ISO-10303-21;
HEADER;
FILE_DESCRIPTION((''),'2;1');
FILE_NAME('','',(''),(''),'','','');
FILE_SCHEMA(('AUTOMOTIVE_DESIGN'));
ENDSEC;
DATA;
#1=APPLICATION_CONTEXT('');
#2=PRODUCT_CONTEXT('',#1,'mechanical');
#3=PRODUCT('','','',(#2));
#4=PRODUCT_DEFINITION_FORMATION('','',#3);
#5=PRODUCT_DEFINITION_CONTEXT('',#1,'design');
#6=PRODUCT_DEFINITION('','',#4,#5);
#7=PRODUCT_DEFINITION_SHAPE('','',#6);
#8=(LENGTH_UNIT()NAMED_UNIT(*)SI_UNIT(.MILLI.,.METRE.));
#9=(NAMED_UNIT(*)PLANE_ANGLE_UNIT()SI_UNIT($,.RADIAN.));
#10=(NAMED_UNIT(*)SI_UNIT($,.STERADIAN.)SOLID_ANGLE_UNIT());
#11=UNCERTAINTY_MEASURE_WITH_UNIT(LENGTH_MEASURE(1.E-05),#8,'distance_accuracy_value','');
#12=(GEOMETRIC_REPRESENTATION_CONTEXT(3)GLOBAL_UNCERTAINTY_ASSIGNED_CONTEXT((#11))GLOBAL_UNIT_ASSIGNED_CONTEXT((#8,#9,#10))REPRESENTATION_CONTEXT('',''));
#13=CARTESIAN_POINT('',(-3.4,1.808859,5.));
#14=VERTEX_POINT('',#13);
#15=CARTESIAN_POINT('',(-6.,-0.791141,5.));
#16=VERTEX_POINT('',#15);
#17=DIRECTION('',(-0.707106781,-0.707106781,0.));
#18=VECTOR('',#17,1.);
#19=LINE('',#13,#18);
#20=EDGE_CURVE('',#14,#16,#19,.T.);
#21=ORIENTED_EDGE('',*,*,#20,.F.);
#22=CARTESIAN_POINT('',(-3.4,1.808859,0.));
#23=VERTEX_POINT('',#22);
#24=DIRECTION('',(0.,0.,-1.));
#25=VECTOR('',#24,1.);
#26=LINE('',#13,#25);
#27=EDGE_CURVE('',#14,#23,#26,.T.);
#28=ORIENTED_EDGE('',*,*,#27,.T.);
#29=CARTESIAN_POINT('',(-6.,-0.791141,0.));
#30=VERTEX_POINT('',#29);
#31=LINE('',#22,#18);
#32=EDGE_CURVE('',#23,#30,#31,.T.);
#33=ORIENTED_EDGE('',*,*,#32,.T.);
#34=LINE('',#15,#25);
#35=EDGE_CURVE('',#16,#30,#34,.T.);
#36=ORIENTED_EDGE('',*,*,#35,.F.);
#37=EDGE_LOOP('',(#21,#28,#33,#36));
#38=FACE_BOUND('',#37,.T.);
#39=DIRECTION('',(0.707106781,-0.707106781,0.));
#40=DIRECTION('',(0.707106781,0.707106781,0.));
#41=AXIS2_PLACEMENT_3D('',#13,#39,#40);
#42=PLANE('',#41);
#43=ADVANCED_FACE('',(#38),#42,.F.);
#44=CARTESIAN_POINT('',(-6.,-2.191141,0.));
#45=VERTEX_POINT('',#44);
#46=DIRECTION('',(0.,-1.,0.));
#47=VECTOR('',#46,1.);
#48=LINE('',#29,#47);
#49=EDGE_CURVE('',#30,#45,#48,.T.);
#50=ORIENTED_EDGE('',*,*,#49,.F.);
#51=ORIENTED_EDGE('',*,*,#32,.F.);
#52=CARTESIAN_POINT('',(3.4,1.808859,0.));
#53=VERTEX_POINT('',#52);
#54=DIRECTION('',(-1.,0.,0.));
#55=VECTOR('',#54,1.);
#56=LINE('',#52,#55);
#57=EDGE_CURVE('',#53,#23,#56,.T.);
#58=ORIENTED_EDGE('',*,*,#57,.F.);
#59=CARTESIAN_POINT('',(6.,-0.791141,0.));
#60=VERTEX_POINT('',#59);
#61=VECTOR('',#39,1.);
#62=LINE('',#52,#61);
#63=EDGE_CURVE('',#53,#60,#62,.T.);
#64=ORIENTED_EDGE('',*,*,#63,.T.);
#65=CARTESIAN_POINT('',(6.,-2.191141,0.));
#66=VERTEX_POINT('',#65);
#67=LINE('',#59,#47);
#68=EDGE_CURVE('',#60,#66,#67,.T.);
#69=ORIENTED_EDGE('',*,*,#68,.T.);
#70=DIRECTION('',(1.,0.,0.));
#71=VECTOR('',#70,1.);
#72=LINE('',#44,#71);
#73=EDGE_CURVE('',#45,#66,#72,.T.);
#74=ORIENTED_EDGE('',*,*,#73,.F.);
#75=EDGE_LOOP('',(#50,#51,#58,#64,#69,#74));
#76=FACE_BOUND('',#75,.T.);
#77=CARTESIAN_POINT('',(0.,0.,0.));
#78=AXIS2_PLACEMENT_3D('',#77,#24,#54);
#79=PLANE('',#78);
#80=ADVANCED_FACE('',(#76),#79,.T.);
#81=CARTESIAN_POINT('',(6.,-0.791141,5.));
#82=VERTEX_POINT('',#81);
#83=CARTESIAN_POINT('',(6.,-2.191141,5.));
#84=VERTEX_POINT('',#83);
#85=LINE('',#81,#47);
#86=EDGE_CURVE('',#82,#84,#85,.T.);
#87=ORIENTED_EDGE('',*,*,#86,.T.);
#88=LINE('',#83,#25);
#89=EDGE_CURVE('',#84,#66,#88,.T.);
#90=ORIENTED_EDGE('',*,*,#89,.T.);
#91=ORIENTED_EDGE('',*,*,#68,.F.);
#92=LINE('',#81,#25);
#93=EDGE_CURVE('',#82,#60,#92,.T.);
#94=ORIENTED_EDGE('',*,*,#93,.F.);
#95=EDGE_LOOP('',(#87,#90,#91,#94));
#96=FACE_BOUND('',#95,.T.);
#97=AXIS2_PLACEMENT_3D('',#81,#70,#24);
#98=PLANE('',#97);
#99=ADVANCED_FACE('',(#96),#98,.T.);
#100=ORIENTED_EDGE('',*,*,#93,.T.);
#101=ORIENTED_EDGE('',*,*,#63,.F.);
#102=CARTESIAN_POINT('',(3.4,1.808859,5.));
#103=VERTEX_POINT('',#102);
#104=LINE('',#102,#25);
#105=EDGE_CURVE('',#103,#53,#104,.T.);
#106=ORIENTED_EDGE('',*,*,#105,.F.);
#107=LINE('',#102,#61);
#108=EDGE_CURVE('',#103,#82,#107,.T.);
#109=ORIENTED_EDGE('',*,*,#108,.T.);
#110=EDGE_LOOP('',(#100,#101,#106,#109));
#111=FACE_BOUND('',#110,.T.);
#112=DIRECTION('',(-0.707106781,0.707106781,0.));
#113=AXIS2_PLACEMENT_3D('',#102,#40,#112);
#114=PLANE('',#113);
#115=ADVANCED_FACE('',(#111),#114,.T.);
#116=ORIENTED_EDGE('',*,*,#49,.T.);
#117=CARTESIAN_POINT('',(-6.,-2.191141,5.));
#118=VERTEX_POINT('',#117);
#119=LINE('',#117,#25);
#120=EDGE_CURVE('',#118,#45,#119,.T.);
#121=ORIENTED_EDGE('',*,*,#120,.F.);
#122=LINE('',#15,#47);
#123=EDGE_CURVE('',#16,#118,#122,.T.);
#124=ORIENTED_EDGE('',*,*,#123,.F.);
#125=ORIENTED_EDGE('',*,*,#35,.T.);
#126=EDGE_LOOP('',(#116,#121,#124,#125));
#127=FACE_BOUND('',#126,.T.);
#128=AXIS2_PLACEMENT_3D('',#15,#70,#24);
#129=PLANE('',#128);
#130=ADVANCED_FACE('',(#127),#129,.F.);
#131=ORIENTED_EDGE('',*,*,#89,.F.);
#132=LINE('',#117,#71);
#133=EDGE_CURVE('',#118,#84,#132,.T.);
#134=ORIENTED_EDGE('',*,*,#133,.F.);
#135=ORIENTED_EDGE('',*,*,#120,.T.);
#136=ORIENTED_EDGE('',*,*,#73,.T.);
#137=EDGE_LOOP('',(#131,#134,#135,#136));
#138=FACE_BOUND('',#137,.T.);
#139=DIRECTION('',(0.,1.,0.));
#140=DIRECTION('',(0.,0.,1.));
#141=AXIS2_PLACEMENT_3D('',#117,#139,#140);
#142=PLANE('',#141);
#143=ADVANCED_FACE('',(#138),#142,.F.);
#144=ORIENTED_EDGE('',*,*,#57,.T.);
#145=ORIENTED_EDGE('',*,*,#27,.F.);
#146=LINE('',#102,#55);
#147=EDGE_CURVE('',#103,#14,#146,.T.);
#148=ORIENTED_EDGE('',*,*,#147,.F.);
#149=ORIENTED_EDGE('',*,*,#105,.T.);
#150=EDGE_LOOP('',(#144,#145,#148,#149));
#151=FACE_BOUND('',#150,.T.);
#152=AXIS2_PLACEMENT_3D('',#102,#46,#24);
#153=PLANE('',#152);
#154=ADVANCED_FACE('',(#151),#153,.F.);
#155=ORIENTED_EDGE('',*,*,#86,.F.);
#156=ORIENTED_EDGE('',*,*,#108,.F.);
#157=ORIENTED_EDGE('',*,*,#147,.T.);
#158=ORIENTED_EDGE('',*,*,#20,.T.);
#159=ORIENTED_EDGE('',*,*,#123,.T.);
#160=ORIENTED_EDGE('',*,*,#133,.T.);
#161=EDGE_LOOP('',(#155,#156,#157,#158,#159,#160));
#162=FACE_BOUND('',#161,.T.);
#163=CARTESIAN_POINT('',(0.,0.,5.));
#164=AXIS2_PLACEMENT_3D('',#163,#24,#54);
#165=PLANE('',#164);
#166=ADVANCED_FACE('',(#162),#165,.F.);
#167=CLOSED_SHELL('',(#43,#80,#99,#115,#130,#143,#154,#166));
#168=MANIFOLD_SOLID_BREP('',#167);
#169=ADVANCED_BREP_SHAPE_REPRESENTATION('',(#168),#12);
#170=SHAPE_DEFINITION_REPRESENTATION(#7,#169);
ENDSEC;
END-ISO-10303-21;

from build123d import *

# Parameters (mm, degrees)
AUFSATZ_LINEAR_AUSTRAGEN1_DEPTH = 5


with BuildPart() as part:
    # Skizze1 → Aufsatz-Linear austragen1 (new body)
    with BuildSketch(Plane.XY):
        Polygon((3.4, 1.808858787), (-3.4, 1.808858787), (-6, -0.791141213), (-6, -2.191141213), (6, -2.191141213), (6, -0.791141213), align=None)
    extrude(amount=AUFSATZ_LINEAR_AUSTRAGEN1_DEPTH)


solid = part.part
